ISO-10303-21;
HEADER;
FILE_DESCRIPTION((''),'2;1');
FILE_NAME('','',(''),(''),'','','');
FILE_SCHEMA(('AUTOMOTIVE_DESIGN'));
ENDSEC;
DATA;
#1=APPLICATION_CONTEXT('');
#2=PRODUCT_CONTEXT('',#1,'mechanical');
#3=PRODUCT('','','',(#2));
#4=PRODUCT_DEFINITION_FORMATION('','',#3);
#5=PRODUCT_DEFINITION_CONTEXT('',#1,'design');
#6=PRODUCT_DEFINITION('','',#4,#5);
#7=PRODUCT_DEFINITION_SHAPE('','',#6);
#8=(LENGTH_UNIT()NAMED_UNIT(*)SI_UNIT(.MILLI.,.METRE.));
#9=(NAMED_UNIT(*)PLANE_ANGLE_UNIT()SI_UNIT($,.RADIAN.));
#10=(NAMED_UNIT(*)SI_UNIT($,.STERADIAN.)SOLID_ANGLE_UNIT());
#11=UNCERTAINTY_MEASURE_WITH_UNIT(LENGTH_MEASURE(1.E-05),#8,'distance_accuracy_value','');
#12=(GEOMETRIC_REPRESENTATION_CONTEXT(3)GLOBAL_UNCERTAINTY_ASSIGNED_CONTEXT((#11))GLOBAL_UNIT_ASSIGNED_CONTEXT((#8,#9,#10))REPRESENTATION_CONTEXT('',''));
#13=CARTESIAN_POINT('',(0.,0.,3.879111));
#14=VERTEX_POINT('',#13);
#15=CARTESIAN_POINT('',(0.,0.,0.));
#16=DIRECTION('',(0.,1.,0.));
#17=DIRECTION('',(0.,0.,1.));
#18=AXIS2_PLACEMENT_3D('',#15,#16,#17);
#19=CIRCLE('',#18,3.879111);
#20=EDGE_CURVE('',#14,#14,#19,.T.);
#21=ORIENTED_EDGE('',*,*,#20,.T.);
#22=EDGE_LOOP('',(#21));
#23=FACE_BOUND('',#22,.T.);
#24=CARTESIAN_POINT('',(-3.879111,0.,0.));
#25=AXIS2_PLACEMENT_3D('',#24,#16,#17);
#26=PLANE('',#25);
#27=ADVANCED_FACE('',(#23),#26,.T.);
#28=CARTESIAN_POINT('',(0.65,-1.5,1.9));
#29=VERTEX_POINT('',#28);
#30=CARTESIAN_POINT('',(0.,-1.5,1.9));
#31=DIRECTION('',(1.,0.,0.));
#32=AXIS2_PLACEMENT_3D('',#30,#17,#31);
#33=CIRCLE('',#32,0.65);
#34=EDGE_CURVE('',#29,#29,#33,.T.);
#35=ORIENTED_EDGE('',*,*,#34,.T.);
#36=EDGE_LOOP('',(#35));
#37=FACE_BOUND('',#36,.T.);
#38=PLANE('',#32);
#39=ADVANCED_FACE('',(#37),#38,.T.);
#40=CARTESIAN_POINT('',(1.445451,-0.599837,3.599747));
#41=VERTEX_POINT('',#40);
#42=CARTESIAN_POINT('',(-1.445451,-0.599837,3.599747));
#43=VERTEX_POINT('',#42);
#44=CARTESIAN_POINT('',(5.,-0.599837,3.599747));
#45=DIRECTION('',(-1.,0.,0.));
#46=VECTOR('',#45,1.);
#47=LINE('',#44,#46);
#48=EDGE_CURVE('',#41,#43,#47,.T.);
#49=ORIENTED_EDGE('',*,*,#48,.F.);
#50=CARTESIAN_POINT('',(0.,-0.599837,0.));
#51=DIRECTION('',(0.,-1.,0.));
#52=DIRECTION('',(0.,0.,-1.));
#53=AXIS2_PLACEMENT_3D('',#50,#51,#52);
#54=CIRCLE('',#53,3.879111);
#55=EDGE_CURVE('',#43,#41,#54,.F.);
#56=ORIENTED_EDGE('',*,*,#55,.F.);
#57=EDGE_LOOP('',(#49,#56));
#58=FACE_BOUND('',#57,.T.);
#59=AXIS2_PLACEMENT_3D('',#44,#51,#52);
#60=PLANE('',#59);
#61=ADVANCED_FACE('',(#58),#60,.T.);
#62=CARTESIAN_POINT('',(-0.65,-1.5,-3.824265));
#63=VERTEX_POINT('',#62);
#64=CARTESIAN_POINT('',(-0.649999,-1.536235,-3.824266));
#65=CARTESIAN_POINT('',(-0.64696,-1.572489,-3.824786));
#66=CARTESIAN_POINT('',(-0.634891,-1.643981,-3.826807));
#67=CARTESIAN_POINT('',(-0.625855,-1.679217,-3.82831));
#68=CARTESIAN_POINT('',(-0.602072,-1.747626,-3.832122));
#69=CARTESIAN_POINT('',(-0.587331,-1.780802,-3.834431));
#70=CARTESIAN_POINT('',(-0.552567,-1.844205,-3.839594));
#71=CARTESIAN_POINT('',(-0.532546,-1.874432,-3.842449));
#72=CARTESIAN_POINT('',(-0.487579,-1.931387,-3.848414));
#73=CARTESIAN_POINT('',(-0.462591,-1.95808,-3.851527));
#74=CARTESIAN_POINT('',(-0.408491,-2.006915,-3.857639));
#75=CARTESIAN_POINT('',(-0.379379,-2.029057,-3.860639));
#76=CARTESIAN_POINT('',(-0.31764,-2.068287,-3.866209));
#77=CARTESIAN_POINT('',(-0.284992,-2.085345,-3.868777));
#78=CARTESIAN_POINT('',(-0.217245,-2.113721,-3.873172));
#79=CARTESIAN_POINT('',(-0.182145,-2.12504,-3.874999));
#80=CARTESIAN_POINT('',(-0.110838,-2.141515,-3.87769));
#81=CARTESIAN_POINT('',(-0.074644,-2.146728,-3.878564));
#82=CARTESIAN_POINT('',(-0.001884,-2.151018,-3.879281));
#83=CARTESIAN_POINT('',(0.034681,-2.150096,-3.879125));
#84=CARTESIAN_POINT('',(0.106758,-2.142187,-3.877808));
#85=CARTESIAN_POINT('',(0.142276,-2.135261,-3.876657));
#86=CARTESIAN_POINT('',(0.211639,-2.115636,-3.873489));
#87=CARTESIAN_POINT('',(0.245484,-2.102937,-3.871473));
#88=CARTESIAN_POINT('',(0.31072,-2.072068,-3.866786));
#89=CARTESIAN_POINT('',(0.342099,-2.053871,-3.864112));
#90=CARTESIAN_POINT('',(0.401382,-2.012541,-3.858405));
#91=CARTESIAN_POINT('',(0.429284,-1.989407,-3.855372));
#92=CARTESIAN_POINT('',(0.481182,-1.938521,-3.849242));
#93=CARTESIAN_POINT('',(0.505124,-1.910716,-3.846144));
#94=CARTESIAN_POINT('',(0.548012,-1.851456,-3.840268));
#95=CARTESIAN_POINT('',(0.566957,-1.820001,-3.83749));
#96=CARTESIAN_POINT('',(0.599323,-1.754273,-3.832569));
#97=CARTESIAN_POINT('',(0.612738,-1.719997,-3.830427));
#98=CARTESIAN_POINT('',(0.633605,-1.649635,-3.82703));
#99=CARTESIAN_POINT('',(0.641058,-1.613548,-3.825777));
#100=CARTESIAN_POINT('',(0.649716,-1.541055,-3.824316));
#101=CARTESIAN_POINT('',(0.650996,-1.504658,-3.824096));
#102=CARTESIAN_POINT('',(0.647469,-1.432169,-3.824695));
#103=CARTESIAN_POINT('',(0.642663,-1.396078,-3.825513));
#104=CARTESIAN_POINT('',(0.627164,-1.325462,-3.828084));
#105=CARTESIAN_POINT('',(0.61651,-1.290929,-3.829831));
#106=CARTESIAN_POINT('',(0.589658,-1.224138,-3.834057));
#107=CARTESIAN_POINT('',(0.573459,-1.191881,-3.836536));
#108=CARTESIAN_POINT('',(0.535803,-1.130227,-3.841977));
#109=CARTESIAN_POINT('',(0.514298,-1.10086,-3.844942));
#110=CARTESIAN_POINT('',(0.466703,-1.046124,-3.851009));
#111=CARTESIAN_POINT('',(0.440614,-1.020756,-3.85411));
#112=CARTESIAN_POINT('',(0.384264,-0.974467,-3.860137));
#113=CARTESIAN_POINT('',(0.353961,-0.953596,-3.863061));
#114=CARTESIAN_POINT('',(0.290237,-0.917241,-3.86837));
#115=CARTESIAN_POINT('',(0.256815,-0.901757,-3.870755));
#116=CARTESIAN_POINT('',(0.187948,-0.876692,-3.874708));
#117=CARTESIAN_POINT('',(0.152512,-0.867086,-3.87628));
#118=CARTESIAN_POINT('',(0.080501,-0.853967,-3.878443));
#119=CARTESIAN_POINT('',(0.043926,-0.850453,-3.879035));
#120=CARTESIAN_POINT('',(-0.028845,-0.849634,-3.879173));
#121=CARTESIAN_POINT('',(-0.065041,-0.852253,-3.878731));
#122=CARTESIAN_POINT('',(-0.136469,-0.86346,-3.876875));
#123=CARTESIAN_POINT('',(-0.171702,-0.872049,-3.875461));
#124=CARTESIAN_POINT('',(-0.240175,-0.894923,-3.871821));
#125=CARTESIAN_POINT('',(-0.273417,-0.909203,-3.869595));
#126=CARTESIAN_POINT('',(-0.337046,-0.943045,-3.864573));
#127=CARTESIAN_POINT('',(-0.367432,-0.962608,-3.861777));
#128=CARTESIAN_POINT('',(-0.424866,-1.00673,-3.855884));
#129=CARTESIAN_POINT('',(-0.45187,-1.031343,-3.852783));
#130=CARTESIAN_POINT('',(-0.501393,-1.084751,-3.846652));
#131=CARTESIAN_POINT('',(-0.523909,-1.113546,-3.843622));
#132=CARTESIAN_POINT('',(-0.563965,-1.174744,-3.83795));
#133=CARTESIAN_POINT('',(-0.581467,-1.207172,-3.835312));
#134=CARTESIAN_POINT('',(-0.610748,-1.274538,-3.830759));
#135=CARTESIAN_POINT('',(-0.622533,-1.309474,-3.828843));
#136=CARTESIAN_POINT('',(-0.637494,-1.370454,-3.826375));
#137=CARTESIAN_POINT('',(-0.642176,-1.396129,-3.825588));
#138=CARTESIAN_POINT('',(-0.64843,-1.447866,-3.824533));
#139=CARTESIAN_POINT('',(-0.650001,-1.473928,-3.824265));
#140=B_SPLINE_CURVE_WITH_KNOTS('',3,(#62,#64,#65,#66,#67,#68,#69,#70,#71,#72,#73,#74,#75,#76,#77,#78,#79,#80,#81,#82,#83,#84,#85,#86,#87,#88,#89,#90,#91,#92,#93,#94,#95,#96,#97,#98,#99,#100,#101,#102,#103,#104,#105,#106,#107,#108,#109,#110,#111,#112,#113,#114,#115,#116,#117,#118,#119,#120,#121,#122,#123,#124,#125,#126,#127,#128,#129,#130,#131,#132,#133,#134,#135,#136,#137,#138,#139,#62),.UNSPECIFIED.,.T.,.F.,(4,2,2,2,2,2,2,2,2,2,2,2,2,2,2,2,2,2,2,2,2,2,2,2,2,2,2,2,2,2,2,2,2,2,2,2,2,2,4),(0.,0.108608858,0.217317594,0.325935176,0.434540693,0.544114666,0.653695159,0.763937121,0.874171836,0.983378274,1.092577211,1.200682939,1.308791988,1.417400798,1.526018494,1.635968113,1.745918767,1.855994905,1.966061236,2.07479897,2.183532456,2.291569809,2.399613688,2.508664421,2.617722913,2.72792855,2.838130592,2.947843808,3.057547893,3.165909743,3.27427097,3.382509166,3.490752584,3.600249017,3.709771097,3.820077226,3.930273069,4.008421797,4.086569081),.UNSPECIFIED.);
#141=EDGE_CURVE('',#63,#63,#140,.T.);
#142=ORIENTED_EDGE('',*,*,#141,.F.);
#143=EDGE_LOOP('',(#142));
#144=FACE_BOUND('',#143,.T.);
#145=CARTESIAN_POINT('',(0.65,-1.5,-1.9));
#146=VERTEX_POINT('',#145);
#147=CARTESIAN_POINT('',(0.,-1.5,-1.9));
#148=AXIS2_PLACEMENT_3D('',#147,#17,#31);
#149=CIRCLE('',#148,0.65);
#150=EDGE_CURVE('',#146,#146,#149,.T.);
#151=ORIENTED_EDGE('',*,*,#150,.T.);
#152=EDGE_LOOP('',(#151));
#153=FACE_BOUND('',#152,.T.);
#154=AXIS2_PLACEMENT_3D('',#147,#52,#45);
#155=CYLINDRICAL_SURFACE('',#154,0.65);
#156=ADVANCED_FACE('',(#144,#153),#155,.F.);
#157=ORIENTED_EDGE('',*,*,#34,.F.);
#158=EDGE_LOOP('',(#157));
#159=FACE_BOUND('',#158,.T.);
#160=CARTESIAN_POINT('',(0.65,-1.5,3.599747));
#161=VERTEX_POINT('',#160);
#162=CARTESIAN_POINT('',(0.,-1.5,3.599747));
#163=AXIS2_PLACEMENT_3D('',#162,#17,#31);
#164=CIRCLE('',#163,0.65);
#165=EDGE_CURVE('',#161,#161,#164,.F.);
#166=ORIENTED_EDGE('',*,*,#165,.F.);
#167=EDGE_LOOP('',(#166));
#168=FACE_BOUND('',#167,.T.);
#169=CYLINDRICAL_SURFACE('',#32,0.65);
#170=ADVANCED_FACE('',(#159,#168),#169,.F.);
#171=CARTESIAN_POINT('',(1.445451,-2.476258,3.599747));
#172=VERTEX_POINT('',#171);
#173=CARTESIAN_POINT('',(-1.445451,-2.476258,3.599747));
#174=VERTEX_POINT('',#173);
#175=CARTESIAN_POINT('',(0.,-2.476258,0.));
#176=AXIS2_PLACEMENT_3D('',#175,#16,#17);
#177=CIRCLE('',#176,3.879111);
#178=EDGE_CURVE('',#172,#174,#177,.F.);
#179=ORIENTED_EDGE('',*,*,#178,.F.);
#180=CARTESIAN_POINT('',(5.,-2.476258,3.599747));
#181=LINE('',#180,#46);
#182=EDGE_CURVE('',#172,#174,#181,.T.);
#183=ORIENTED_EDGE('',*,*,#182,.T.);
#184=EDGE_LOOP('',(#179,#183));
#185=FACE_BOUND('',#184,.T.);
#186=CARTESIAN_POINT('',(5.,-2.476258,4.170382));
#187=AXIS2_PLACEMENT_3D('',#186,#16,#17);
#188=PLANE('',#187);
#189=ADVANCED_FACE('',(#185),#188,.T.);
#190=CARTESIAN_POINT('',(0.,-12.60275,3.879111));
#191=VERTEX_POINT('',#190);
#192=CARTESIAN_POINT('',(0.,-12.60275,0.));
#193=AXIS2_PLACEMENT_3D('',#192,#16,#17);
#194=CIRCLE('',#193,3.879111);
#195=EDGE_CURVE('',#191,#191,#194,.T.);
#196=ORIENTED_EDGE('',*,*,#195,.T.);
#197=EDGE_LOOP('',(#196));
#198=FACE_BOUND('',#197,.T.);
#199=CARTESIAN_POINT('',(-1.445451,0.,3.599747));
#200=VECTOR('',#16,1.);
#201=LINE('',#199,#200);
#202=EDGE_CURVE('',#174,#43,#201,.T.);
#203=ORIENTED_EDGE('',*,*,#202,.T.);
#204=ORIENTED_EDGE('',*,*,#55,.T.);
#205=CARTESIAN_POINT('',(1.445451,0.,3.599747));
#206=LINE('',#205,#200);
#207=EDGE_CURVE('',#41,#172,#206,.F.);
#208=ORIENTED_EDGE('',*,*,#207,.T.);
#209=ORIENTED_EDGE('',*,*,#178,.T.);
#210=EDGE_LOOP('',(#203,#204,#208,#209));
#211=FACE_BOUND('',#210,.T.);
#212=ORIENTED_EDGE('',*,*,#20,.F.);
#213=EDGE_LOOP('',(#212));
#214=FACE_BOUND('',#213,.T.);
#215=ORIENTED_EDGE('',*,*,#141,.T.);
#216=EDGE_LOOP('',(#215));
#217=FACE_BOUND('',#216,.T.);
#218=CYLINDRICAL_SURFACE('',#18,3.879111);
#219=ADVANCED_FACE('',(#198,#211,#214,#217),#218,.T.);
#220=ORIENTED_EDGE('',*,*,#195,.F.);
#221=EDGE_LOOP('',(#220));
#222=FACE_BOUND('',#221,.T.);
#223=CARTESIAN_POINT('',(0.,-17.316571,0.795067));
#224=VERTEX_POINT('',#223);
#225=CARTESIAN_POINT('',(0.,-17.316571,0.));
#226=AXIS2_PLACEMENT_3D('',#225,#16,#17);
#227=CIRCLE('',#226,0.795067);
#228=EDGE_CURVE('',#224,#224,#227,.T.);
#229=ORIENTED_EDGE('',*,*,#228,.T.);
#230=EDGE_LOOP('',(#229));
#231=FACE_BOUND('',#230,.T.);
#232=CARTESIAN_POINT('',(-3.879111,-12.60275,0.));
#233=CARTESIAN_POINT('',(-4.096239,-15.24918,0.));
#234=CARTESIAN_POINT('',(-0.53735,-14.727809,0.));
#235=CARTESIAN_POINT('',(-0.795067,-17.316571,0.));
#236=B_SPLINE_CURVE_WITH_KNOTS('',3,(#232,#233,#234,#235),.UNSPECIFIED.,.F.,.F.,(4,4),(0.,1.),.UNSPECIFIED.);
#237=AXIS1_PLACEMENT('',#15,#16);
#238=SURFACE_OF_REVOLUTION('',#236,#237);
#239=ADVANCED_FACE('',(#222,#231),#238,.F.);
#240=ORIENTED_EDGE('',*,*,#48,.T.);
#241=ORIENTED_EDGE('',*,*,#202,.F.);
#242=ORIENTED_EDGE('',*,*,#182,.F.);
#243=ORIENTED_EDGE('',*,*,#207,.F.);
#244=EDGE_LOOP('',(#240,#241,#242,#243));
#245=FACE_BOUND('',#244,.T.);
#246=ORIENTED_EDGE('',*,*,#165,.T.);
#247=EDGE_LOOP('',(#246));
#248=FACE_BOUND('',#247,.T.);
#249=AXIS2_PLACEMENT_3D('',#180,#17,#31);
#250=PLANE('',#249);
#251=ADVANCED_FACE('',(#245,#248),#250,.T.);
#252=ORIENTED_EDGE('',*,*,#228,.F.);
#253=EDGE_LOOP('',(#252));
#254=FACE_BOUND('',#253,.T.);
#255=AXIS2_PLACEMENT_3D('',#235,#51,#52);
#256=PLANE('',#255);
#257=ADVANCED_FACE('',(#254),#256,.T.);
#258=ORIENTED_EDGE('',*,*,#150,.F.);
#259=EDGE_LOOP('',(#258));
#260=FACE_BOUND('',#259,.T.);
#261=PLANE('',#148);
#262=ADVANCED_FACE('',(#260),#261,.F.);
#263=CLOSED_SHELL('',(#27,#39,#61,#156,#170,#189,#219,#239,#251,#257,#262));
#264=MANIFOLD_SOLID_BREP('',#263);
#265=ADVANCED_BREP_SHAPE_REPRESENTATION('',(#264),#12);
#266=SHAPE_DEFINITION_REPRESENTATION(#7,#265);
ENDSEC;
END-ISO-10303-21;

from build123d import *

# Parameters (mm, degrees)
SKETCH3_R               = 0.65
CUT_EXTRUDE1_DEPTH      = 2
CUT_EXTRUDE2_START      = 2
SKETCH4_R               = 0.65
CUT_EXTRUDE2_DEPTH      = 2
CUT_EXTRUDE4_DEPTH      = 5
CUT_EXTRUDE4_DEPTH_BACK = 5
SKETCH6_W               = 0.570635025
SKETCH6_H               = 1.87642035


with BuildPart() as part:
    # Sketch2 → Revolve1 (revolve)
    with BuildSketch(Plane.XY):
        with BuildLine():
            Line((-3.879111396, 0), (-3.879111396, -12))
            Line((-3.879111396, -12), (-3.879111402, -12.602750297))
            add(Edge.make_bspline(
                [(-3.879111402, -12.602750297), (-4.096238593, -15.249180041), (-0.537349984, -14.727809099), (-0.795067133, -17.31657115)],
                knots=[0, 0, 0, 0, 1, 1, 1, 1], degree=3))
            Line((-0.795067133, -17.31657115), (0, -17.31657115))
            Line((0, -17.31657115), (0, 0))
            Line((0, 0), (-3.879111396, 0))
        make_face()
    revolve(axis=Axis((0, 0, 0), (0, -1, 0)))

    # Sketch3 → Cut-Extrude1 (cut)
    with BuildSketch(Plane.XY.offset(3.9)):
        with Locations((0, -1.5)):
            Circle(SKETCH3_R)
    extrude(amount=-CUT_EXTRUDE1_DEPTH, mode=Mode.SUBTRACT)

    # Sketch4 → Cut-Extrude2 (cut)
    with BuildSketch(Plane.XY.offset(-3.9).offset(CUT_EXTRUDE2_START)):
        with Locations((0, -1.5)):
            Circle(SKETCH4_R)
    extrude(amount=-CUT_EXTRUDE2_DEPTH, mode=Mode.SUBTRACT)

    # Sketch6 → Cut-Extrude4 (cut, two sides: drawn at the far end of the back side and taken through both)
    with BuildSketch(Plane(origin=(0, 0, 0), x_dir=(0, 0, -1), z_dir=(1, 0, 0)).offset(-CUT_EXTRUDE4_DEPTH_BACK)):
        with Locations((-3.8850644, -1.538047365)):
            Rectangle(SKETCH6_W, SKETCH6_H)
    extrude(amount=CUT_EXTRUDE4_DEPTH + CUT_EXTRUDE4_DEPTH_BACK, mode=Mode.SUBTRACT)


solid = part.part
